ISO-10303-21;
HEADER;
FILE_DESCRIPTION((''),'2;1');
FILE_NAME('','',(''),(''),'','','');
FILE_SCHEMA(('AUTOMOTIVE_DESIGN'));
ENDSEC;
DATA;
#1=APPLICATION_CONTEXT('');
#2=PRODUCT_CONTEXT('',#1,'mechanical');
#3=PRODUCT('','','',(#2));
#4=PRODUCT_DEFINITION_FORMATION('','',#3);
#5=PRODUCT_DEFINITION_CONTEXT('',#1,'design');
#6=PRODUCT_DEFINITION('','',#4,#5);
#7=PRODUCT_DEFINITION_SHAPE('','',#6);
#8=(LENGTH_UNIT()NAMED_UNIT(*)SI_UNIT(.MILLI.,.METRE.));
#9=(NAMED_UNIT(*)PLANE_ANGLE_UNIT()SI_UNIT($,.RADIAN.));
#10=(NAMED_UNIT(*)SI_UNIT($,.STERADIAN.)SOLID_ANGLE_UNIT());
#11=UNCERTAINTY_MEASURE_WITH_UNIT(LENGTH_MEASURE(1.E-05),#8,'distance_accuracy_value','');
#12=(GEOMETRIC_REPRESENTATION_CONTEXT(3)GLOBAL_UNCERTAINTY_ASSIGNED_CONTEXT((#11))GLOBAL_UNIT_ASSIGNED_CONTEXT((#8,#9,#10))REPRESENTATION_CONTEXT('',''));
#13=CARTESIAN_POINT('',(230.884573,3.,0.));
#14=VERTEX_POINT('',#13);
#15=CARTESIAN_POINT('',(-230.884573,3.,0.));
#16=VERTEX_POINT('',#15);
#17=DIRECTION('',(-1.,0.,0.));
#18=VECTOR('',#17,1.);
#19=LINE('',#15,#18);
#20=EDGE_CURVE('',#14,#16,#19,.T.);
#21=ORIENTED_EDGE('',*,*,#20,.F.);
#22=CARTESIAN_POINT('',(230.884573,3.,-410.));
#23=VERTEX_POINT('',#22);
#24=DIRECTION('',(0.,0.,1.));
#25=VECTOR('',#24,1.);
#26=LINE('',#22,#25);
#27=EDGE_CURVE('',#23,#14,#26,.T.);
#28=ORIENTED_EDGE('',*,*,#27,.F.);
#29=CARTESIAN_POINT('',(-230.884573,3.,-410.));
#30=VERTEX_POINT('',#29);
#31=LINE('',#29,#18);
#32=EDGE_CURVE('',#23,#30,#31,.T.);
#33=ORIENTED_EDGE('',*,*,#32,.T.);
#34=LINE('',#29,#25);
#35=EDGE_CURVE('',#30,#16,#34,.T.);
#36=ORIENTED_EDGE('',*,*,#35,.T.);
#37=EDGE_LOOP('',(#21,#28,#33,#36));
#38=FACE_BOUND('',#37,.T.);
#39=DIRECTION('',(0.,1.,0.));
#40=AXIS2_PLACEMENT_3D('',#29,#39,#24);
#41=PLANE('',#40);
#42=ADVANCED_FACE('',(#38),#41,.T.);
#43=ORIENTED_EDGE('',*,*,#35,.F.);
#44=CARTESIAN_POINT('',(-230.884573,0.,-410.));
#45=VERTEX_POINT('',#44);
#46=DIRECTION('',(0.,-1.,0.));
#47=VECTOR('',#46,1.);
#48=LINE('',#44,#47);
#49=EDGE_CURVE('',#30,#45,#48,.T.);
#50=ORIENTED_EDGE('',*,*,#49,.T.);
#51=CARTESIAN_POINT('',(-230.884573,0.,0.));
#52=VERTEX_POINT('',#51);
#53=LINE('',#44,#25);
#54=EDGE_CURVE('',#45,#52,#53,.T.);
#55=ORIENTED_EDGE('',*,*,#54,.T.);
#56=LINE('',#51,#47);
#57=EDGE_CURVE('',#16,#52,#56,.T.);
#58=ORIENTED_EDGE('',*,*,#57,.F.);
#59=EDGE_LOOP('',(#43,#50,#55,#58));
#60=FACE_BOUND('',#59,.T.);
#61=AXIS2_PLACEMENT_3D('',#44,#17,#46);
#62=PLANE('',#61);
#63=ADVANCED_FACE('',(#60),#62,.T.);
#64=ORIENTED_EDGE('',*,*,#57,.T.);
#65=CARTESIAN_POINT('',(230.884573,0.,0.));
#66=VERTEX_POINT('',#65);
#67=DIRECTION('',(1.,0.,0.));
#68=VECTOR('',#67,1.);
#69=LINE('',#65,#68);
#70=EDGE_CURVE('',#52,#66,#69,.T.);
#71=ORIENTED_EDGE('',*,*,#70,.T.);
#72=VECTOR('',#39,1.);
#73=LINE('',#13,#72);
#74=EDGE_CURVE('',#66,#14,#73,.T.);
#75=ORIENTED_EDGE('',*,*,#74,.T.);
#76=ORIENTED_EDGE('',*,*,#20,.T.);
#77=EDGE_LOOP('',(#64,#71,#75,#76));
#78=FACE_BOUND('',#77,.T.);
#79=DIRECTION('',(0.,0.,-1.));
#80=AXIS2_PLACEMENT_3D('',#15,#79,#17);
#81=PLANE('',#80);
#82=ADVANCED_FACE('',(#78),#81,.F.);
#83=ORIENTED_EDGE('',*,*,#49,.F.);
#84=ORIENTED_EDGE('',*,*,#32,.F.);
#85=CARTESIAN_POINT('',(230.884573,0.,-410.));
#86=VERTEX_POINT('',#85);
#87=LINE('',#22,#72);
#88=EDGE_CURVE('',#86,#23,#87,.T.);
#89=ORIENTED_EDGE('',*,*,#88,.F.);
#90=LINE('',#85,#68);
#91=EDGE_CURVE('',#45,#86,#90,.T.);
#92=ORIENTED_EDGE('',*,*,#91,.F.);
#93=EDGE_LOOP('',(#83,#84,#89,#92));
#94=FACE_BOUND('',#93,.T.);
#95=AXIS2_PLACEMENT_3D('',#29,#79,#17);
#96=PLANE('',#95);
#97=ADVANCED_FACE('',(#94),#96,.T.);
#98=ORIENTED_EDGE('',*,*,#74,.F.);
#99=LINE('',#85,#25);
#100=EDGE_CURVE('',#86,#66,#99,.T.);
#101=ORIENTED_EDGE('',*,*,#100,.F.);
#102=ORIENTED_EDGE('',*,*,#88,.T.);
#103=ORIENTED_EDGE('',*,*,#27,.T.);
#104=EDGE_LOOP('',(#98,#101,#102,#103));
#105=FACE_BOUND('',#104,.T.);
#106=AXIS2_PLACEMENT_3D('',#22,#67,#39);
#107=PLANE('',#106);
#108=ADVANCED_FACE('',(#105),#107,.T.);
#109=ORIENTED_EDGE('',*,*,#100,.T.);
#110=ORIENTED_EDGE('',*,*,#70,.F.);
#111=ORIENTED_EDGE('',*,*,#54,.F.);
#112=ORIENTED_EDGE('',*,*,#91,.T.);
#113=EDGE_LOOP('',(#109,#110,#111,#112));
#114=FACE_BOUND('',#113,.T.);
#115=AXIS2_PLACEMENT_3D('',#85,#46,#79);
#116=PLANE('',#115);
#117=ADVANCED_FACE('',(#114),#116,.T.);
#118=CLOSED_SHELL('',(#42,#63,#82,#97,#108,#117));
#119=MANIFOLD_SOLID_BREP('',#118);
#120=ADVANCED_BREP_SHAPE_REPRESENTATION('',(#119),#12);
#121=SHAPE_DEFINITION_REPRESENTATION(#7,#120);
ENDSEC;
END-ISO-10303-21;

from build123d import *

# Parameters (mm, degrees)
SKETCH_1_W      = 461.769145362
SKETCH_1_H      = 3
EXTRUDE_1_DEPTH = 410


with BuildPart() as part:
    # Эскиз1 → Бобышка-Вытянуть1 (new body)
    with BuildSketch(Plane.XY):
        with Locations((0, 1.5)):
            Rectangle(SKETCH_1_W, SKETCH_1_H)
    extrude(amount=-EXTRUDE_1_DEPTH)


solid = part.part
